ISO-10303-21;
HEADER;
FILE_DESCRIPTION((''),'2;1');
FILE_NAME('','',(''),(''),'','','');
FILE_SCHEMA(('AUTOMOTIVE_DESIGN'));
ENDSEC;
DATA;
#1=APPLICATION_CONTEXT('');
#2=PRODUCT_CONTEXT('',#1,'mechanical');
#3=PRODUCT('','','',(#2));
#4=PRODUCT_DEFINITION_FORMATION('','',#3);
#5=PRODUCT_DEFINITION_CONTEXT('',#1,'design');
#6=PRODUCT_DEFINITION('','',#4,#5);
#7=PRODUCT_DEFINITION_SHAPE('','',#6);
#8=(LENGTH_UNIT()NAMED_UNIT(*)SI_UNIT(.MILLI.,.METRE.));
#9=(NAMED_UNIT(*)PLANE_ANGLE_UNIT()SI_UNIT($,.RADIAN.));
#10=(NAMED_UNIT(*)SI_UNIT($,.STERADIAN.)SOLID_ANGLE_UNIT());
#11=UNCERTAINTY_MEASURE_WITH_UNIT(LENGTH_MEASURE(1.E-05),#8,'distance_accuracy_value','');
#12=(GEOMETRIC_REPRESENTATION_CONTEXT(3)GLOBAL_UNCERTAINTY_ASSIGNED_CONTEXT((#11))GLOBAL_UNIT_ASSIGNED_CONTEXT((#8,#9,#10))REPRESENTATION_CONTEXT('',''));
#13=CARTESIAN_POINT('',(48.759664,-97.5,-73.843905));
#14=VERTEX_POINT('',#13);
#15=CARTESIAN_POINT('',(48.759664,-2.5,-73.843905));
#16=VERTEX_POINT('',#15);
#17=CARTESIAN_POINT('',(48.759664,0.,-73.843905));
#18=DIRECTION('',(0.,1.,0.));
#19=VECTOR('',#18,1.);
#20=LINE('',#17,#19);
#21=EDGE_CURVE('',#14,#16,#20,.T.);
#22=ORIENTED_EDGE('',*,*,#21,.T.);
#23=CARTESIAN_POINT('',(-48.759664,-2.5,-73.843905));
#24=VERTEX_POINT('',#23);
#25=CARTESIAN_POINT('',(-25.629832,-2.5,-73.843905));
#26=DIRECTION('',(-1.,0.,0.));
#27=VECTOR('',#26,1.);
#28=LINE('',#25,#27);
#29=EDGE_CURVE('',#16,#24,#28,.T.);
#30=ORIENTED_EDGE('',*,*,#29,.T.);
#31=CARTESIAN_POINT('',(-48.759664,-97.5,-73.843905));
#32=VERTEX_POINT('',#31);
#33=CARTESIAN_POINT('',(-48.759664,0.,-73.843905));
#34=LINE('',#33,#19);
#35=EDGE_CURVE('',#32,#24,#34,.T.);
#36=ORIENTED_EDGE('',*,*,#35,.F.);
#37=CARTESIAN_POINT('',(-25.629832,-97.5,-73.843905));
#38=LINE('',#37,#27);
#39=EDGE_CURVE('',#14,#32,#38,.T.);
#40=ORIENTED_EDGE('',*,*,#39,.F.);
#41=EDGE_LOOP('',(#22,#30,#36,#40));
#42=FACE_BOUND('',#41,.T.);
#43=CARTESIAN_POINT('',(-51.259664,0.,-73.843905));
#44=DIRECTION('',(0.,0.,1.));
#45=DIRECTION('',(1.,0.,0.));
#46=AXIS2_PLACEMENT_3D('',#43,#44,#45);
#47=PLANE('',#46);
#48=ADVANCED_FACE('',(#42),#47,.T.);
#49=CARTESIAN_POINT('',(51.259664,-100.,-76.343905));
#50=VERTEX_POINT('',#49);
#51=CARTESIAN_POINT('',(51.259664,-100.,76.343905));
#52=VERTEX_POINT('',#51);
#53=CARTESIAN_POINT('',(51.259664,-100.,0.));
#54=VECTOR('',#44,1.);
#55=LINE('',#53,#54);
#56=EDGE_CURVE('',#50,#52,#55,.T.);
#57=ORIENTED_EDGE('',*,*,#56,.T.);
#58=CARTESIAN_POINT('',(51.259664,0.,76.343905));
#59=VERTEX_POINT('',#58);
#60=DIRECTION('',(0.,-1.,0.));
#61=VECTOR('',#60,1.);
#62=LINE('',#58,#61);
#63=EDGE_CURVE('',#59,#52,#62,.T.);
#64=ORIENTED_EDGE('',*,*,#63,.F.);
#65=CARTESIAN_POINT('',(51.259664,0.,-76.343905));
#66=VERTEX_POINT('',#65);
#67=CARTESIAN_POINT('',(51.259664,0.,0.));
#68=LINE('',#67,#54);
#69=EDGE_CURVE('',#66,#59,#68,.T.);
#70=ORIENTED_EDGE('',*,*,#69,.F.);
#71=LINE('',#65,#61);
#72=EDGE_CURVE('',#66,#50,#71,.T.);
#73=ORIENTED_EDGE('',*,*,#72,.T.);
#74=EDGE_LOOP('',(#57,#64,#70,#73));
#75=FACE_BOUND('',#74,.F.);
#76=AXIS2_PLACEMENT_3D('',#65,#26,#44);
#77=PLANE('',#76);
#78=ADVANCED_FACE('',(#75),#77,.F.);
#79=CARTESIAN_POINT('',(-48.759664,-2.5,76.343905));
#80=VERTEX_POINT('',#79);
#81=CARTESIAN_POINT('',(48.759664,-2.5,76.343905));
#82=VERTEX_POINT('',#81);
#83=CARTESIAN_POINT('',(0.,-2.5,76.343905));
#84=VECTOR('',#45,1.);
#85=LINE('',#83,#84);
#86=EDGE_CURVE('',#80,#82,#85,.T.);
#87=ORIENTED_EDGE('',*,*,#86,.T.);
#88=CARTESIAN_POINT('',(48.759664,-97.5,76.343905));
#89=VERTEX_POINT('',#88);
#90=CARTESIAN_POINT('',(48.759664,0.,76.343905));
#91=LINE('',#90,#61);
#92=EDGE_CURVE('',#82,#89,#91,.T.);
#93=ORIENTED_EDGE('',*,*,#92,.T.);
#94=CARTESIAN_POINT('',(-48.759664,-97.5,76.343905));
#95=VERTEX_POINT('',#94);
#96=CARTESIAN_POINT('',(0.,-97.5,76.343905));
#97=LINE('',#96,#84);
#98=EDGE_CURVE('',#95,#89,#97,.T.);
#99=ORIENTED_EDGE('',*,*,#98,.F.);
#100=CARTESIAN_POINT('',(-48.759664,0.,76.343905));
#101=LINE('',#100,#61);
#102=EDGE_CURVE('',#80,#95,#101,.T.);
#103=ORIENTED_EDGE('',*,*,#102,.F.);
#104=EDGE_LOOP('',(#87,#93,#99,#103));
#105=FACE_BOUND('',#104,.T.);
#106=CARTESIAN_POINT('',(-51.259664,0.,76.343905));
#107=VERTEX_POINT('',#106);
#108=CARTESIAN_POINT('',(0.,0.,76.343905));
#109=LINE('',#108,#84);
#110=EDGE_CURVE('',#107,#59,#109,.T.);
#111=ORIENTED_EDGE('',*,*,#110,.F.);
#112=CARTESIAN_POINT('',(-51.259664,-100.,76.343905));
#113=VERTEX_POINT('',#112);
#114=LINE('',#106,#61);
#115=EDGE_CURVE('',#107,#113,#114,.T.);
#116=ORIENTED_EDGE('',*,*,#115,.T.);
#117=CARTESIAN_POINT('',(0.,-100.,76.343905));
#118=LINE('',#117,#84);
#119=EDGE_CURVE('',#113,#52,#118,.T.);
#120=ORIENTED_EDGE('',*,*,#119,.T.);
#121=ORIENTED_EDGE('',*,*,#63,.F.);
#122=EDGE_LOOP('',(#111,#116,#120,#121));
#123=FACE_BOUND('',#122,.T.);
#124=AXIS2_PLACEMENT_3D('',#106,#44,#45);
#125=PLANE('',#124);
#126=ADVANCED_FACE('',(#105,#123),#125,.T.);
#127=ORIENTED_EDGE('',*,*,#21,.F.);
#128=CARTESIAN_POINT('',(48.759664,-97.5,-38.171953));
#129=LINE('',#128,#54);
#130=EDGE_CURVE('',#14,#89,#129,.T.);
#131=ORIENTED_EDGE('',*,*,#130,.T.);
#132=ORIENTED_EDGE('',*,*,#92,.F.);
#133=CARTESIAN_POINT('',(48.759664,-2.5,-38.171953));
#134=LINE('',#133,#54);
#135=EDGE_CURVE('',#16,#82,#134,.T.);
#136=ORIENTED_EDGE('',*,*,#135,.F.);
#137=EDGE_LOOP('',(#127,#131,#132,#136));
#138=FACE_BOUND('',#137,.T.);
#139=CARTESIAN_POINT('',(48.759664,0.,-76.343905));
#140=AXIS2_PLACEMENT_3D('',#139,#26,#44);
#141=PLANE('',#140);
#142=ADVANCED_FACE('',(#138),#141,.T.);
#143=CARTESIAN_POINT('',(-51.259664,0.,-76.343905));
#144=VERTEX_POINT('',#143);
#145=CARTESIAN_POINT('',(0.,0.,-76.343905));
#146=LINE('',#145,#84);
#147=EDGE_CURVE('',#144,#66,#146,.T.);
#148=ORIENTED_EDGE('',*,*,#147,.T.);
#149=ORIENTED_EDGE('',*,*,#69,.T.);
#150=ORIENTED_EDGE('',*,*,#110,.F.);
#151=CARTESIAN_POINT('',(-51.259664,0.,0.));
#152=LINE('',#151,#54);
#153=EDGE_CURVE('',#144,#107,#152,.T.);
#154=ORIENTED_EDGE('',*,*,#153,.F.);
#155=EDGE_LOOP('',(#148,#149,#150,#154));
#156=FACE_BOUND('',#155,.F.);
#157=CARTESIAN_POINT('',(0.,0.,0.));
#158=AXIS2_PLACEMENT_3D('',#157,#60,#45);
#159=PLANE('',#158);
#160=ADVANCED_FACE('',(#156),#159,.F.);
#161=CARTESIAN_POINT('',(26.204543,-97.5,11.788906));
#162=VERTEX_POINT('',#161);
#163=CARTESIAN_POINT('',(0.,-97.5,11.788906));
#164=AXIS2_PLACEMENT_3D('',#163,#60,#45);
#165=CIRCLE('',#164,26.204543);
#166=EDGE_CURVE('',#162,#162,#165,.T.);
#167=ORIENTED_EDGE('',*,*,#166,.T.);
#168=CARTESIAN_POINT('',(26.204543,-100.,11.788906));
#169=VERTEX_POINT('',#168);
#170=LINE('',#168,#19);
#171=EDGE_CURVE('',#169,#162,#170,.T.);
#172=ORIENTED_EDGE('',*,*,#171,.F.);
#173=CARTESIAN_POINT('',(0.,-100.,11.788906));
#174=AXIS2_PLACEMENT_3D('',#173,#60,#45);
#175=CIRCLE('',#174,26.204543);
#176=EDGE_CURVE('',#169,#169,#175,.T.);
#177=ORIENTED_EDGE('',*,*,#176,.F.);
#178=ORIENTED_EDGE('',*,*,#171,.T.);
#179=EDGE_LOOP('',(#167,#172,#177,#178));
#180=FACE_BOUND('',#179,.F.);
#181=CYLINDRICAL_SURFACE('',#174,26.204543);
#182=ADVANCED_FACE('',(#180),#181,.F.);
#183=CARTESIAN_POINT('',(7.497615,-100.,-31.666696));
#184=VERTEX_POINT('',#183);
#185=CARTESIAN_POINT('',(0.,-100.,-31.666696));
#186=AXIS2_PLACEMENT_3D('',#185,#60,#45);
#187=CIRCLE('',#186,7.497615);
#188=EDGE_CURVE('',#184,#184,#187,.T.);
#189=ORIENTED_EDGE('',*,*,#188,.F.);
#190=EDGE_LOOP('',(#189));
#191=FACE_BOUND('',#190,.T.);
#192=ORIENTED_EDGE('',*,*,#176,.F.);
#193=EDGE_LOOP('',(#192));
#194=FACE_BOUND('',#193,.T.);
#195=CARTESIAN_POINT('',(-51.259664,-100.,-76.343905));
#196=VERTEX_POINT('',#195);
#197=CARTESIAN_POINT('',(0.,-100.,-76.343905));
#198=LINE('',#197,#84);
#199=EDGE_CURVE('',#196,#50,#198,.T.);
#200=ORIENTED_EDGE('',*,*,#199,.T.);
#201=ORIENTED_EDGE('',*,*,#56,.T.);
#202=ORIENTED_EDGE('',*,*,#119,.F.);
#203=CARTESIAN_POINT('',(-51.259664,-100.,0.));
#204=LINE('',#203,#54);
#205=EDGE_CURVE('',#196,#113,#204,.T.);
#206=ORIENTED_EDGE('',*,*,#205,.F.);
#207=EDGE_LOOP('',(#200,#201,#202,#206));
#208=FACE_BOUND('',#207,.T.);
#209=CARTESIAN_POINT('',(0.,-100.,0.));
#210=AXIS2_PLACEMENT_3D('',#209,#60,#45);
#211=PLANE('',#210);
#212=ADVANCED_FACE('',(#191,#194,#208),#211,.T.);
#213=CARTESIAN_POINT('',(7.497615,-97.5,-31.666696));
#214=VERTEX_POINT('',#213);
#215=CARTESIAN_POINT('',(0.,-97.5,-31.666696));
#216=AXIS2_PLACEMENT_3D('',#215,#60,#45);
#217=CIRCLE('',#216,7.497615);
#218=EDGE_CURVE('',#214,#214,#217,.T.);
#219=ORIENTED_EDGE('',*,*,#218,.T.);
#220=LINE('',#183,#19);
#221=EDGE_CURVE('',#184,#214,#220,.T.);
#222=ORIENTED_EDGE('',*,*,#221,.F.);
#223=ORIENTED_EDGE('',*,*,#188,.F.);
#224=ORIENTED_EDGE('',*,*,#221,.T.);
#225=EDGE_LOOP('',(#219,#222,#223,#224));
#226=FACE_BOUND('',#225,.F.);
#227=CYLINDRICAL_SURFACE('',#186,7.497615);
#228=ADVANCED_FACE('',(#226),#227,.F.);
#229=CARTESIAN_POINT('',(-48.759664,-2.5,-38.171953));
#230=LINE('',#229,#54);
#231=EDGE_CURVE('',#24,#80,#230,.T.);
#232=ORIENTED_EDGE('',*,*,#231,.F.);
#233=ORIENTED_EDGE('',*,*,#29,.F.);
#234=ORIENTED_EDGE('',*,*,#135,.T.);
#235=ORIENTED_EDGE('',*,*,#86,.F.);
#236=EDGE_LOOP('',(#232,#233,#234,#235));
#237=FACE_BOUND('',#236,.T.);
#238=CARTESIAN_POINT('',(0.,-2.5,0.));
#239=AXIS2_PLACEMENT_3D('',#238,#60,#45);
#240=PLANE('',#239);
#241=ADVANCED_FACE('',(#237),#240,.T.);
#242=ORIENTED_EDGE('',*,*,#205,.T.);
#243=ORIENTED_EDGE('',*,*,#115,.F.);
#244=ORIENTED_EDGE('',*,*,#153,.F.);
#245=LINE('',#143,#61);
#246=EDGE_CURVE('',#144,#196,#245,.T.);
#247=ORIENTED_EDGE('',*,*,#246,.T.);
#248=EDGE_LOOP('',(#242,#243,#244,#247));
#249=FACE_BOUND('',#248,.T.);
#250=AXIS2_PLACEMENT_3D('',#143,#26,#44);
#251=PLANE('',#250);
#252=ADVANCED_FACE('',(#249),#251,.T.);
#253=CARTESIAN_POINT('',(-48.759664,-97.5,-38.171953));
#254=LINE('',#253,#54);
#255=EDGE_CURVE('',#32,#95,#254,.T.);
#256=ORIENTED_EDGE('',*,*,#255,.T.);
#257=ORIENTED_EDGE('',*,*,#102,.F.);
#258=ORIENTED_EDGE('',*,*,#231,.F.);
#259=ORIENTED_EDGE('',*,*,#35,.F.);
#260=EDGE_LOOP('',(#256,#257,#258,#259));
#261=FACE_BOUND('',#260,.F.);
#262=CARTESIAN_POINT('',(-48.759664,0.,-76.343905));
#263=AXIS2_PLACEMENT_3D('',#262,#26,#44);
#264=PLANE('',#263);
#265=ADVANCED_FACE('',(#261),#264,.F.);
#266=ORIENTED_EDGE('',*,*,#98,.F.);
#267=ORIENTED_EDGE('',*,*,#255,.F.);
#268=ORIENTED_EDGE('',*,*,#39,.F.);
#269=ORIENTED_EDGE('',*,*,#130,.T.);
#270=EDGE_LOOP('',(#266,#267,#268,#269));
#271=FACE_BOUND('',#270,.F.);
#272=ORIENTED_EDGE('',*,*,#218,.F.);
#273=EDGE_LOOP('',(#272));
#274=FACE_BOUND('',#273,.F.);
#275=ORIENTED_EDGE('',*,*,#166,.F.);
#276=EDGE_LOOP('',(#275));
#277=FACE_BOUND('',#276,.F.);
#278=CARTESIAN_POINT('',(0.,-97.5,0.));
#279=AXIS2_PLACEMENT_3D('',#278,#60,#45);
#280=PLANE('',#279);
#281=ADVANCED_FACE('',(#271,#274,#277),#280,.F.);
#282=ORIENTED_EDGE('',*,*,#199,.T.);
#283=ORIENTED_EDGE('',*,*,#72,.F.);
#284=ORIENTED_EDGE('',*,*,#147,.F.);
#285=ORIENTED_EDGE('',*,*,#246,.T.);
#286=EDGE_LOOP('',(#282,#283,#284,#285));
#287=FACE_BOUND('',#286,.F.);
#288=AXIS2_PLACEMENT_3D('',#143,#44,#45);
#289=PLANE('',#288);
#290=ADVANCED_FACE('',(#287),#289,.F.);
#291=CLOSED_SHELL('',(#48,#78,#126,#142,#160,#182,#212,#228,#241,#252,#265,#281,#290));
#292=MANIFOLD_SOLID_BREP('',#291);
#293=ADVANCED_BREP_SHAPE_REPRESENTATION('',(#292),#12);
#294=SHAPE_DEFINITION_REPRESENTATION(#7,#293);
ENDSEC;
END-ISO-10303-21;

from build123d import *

# Parameters (mm, degrees)
F0_W     = 102.519328
F0_H     = 152.68781
F1_DEPTH = 100
F2_T     = -2.5
F3_R     = 26.204543
F4_DEPTH = 25
F5_R     = 7.497615
F6_DEPTH = 25


with BuildPart() as f1:
    # F0 (on Front) → F1 (new body)
    with BuildSketch(Plane.XZ):
        Rectangle(F0_W, F0_H)
    extrude(amount=F1_DEPTH)

    # F2
    f2_openings = [f1.faces().sort_by_distance(p)[0] for p in [
        (0, -50, 76.343905),
    ]]
    offset(amount=F2_T, openings=f2_openings)

    # F3 (on face) → F4 (cut)
    with BuildSketch(Plane.XZ.offset(100)):
        with Locations((0, 11.788906)):
            Circle(F3_R)
    extrude(amount=-F4_DEPTH, mode=Mode.SUBTRACT)

    # F5 (on face) → F6 (cut)
    with BuildSketch(Plane.XZ.offset(100)):
        with Locations((0, -31.666696)):
            Circle(F5_R)
    extrude(amount=-F6_DEPTH, mode=Mode.SUBTRACT)


solid = f1.part
